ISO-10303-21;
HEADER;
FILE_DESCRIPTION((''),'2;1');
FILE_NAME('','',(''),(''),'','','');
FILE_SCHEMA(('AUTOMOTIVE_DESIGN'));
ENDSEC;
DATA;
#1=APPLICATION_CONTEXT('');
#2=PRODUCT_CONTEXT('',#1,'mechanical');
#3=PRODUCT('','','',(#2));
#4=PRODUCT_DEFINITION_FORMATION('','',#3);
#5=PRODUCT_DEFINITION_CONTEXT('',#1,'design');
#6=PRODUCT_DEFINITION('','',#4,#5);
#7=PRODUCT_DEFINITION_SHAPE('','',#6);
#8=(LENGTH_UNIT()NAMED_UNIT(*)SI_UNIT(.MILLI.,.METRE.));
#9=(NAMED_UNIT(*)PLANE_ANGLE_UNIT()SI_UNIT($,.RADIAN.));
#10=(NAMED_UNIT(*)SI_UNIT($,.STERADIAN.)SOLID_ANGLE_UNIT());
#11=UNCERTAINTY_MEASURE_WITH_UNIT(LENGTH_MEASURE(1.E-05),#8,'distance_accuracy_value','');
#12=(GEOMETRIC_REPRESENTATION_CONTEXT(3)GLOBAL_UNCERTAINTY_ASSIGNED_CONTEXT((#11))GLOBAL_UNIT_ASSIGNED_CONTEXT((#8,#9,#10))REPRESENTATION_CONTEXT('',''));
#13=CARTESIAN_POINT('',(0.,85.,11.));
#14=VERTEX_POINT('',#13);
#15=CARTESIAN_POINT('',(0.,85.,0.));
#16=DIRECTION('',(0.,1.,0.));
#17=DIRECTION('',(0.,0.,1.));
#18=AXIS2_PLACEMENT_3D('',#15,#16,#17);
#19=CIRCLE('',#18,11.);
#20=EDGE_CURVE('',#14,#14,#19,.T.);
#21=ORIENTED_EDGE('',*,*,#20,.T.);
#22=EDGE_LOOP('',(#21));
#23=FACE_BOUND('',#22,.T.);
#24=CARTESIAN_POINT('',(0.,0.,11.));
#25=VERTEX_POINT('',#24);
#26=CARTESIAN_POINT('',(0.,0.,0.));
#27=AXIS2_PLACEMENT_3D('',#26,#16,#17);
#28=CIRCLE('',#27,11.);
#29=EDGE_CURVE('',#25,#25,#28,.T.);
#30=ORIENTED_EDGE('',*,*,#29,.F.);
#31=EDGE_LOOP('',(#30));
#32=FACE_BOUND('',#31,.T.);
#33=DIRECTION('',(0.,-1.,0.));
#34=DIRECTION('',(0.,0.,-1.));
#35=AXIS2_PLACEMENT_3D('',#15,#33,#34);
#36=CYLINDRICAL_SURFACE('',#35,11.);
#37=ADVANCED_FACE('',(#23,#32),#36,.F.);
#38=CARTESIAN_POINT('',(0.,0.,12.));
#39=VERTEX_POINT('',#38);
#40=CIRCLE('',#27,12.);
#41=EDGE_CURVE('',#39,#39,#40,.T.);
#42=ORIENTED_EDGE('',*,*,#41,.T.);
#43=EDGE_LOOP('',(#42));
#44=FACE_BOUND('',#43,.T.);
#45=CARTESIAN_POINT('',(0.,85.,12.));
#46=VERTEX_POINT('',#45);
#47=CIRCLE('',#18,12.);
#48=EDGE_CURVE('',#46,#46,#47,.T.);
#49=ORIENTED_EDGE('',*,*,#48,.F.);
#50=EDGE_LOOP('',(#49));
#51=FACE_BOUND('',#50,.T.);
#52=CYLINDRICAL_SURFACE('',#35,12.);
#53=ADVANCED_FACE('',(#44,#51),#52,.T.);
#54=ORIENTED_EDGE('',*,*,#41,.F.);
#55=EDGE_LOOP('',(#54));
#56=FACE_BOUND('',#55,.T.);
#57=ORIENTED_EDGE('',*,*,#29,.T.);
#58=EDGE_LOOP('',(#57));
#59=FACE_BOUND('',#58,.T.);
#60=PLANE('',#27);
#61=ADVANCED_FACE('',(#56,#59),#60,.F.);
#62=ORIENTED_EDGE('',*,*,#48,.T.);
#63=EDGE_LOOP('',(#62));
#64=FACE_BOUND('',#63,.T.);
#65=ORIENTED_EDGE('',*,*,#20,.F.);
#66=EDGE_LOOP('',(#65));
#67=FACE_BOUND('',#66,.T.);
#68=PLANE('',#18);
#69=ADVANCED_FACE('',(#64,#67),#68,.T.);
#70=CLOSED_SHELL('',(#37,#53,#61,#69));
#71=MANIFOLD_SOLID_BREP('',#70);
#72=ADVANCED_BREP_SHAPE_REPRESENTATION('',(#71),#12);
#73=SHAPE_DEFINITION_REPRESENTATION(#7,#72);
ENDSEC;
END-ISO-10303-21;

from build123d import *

# Parameters (mm, degrees)
SKETCH3_R           = 12
SKETCH3_R_2         = 11
BOSS_EXTRUDE3_DEPTH = 85


with BuildPart() as part:
    # Sketch3 → Boss-Extrude3 (new body)
    with BuildSketch(Plane(origin=(0, 0, 0), x_dir=(1, 0, 0), z_dir=(0, 1, 0))):
        Circle(SKETCH3_R)
        Circle(SKETCH3_R_2, mode=Mode.SUBTRACT)
    extrude(amount=BOSS_EXTRUDE3_DEPTH)


solid = part.part
